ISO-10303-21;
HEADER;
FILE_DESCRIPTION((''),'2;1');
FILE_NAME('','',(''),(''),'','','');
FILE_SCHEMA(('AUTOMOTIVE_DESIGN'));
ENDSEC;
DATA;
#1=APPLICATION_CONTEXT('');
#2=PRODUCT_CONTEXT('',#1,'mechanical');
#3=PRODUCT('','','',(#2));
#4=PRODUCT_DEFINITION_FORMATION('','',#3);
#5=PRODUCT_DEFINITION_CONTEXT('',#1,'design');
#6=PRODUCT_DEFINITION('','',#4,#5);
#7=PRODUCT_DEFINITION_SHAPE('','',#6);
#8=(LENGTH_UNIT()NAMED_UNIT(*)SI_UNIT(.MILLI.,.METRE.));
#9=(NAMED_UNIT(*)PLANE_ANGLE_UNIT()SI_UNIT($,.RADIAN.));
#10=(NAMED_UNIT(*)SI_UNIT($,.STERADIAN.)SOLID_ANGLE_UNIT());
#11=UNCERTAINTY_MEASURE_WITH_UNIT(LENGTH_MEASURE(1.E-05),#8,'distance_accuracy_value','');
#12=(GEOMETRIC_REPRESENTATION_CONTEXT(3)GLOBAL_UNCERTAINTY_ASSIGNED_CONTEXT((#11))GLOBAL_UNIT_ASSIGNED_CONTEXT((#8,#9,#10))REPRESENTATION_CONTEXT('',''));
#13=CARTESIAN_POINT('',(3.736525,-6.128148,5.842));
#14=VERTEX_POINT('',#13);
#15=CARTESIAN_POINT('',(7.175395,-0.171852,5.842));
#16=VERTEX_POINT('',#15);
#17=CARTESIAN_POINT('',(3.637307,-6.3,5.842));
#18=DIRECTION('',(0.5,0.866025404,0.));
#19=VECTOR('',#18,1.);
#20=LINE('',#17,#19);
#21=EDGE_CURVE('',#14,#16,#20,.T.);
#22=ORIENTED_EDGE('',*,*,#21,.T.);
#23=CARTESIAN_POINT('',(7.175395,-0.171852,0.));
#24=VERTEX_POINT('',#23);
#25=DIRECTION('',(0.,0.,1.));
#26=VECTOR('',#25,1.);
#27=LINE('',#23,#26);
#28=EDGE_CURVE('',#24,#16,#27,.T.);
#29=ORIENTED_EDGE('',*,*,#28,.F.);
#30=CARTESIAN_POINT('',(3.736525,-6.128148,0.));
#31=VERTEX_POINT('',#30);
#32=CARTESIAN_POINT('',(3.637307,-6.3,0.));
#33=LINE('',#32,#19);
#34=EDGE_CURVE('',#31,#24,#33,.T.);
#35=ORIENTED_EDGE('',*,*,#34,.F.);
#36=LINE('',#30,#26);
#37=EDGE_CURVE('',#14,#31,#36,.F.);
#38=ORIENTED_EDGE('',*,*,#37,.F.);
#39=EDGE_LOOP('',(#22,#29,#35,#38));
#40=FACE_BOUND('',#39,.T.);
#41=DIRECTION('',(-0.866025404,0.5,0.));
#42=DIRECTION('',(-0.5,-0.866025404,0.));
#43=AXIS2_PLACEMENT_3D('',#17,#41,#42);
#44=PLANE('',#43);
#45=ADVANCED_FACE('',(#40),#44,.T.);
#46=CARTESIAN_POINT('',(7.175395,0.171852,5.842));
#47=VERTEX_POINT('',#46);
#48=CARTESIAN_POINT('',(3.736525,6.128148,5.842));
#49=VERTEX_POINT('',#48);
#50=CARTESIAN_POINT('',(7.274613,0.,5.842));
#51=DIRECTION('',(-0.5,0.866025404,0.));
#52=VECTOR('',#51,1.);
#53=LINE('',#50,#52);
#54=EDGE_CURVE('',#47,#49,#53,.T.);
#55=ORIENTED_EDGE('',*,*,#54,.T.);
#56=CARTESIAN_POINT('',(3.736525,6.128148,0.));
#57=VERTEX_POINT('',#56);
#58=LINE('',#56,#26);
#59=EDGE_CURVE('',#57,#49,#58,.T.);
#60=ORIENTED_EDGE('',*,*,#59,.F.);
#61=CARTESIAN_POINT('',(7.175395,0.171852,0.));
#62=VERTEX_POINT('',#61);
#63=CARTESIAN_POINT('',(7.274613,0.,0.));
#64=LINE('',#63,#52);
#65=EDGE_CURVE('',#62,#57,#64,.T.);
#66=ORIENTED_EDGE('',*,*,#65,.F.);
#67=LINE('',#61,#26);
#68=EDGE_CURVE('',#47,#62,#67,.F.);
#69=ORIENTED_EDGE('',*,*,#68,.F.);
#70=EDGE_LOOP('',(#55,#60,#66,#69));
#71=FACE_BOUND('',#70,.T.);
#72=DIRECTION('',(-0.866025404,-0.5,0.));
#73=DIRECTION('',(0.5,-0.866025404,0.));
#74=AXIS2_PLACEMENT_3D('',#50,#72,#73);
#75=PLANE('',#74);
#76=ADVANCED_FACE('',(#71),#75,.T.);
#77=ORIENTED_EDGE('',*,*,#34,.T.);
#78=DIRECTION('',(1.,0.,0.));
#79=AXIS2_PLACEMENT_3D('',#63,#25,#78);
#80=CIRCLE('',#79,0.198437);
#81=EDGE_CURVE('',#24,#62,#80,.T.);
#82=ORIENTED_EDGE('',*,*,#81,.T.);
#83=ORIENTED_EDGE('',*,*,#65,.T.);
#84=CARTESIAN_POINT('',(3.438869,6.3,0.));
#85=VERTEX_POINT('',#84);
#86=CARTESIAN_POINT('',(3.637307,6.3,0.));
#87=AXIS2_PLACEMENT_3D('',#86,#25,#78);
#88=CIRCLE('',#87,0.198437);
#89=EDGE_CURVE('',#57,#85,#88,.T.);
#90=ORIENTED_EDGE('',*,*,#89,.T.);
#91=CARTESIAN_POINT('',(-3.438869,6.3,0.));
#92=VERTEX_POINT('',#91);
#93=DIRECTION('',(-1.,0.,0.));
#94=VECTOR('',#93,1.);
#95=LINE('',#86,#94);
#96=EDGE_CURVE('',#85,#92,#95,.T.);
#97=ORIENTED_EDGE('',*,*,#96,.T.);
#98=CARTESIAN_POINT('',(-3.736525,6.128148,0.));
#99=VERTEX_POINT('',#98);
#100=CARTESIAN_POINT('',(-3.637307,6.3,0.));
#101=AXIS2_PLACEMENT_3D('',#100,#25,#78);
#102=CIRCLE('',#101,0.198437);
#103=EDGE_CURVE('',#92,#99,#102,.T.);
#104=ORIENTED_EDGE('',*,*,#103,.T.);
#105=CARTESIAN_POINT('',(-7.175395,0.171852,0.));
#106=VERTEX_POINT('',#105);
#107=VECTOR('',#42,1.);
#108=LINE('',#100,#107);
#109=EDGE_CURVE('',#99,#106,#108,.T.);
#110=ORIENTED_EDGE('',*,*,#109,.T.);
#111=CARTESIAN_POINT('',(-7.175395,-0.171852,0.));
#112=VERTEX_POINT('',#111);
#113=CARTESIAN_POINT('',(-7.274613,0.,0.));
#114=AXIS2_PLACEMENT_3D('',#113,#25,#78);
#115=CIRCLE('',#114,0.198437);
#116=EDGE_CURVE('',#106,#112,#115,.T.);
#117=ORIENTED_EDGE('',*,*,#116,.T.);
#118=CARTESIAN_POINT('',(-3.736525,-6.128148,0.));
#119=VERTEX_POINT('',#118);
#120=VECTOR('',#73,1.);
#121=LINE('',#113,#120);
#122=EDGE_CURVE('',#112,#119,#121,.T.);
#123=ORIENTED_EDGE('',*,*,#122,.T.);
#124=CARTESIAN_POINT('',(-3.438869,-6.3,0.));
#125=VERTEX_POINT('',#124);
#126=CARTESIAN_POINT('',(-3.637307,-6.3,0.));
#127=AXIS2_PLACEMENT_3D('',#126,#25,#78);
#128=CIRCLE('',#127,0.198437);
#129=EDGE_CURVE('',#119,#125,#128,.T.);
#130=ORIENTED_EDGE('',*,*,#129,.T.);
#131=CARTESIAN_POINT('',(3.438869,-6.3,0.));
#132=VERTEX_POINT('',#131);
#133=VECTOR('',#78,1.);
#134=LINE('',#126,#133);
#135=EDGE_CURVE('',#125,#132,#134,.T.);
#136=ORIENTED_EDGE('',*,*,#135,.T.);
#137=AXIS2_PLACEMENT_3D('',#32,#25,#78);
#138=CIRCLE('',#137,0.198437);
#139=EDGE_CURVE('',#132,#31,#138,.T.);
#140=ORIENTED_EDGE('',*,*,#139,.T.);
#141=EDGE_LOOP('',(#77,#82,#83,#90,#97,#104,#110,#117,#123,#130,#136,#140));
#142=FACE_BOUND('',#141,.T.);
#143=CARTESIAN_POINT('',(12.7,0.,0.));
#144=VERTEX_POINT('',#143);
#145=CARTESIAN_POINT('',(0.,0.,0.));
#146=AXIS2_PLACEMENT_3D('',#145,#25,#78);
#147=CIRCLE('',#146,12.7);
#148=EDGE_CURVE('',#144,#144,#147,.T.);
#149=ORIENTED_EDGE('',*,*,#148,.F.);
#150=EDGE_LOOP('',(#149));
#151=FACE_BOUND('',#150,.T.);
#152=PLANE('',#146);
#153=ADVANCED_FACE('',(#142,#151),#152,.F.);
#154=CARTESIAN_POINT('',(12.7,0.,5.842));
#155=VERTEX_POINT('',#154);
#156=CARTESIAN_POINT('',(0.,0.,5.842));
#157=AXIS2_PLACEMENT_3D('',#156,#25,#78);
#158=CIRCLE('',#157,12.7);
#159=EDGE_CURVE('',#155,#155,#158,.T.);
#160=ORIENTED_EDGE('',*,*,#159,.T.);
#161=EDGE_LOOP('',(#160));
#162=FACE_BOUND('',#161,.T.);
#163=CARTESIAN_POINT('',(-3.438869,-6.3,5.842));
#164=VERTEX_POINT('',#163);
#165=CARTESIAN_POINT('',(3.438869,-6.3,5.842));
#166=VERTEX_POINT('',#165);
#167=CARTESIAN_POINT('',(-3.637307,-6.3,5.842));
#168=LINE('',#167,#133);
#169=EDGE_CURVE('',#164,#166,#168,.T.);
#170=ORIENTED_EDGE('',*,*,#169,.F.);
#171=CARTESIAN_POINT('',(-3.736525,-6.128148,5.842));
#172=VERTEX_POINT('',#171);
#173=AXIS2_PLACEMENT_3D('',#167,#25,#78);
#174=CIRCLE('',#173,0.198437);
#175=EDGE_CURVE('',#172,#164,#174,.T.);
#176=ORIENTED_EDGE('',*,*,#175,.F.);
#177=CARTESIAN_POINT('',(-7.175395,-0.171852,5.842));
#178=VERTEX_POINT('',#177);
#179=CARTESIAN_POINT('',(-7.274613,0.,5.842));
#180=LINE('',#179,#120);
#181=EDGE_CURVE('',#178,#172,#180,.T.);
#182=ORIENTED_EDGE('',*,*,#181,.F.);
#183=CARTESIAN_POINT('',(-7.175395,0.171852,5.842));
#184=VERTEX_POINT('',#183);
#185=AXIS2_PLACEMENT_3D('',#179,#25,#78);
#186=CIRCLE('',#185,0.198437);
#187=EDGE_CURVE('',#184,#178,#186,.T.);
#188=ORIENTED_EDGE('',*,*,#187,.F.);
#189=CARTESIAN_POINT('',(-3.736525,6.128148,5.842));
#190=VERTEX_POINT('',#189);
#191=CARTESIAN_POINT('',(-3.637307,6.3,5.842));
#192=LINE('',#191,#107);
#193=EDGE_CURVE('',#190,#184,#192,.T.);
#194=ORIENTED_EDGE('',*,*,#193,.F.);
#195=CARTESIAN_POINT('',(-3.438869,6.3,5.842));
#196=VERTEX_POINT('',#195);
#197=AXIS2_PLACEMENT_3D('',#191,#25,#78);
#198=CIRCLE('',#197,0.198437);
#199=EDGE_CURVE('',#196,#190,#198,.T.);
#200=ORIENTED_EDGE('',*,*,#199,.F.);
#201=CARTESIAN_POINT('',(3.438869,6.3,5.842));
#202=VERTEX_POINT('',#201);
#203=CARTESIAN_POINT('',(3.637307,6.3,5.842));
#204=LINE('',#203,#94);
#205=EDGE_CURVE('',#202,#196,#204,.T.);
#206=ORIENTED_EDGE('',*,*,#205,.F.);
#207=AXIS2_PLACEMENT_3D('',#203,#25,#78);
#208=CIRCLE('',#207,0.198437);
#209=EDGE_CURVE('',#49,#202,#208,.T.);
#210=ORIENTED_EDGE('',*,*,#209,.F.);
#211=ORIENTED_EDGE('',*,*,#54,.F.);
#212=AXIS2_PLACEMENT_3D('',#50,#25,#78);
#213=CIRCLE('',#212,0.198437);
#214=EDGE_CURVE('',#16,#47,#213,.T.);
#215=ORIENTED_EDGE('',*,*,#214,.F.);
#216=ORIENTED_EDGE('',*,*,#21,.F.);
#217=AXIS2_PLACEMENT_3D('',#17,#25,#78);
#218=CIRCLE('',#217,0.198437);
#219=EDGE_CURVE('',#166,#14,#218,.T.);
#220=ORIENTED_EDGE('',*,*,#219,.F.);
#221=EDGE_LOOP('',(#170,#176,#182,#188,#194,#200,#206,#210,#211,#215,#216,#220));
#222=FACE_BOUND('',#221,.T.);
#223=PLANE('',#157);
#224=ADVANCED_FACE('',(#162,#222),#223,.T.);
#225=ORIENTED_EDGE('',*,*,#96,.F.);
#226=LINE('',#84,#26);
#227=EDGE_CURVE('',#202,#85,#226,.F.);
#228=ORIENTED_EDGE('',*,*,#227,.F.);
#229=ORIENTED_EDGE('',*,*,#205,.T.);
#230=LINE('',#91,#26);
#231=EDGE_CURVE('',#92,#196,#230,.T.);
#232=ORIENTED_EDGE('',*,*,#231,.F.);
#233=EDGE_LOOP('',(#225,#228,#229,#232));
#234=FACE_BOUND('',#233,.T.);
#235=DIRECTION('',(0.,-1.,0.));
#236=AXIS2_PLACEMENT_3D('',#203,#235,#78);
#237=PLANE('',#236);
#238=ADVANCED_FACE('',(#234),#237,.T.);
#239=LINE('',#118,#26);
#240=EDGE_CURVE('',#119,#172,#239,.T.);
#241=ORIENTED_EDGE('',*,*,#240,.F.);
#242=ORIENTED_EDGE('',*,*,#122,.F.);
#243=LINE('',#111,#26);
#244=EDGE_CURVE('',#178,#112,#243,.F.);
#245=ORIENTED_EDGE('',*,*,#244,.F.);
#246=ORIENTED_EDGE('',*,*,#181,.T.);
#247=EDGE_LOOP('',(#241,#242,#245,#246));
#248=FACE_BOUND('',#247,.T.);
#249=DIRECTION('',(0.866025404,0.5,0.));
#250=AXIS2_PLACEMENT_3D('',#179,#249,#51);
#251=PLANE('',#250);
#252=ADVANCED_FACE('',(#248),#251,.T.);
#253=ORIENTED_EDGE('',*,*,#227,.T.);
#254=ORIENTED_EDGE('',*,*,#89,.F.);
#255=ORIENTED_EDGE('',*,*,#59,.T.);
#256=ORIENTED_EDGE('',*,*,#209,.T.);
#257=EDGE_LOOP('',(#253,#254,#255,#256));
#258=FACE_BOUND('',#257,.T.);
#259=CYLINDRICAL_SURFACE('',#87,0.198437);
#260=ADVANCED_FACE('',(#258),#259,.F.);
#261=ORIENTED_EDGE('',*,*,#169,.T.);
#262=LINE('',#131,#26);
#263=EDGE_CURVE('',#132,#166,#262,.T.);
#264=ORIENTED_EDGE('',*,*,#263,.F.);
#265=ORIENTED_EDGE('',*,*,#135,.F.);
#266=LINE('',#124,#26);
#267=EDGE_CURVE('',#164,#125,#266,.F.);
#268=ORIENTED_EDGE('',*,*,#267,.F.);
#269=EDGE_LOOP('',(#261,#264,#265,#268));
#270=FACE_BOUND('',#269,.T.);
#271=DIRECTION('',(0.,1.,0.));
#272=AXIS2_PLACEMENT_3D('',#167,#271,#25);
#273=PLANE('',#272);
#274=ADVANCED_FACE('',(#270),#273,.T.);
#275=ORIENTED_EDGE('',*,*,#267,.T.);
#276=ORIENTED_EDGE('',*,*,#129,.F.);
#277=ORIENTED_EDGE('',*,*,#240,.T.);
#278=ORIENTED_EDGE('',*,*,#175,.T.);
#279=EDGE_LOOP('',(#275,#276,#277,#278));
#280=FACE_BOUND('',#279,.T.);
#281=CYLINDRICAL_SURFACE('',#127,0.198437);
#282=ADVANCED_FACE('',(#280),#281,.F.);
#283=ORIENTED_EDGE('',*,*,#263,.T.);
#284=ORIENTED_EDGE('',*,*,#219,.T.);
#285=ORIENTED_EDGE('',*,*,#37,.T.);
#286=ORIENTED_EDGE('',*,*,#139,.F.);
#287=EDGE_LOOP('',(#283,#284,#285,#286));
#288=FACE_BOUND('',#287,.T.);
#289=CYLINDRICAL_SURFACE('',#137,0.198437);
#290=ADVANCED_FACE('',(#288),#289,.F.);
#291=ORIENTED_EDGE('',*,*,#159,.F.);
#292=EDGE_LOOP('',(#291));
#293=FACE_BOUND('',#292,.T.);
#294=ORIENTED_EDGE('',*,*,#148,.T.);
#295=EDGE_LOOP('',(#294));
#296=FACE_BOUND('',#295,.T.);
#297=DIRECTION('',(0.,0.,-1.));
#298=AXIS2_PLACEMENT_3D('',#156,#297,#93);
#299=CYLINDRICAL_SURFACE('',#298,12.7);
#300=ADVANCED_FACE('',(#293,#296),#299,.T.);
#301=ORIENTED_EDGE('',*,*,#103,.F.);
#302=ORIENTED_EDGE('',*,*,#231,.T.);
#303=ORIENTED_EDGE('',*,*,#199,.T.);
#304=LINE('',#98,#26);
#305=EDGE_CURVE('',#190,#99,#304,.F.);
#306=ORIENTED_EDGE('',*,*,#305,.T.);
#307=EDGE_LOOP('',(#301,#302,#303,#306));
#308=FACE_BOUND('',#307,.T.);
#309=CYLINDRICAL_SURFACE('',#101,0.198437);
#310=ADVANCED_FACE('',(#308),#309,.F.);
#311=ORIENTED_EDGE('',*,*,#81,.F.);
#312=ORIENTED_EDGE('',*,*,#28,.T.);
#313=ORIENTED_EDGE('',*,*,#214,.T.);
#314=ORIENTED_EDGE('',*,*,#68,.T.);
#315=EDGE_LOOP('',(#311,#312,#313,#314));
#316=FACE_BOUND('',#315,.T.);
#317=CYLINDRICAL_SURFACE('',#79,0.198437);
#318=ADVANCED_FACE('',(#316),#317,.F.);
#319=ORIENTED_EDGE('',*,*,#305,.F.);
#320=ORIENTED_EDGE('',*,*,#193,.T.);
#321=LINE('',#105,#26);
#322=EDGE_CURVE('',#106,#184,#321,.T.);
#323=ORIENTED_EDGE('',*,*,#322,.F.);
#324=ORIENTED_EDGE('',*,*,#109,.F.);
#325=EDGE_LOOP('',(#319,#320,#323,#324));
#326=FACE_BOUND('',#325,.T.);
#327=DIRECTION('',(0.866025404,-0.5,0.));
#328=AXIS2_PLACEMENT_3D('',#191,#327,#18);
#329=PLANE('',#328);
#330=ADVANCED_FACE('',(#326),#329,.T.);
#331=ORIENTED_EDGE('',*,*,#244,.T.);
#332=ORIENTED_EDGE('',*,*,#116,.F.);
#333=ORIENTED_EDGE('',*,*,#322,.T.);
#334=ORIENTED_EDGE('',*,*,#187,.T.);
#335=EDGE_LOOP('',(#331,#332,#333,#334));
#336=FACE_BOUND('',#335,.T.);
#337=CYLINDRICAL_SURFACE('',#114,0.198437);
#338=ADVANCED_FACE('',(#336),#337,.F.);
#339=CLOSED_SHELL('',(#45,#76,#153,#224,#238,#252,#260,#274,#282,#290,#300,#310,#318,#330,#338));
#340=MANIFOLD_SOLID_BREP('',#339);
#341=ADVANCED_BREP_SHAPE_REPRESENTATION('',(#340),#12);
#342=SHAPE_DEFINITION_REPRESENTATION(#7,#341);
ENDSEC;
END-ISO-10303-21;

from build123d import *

# Parameters (mm, degrees)
SKETCH1_R           = 12.7
BOSS_EXTRUDE1_DEPTH = 5.842
SKETCH2_R           = 0.1984375
CUT_EXTRUDE1_DEPTH  = 19.886740428


with BuildPart() as part:
    # Sketch1 → Boss-Extrude1 (new body)
    with BuildSketch(Plane.XY):
        Circle(SKETCH1_R)
        Polygon((-7.274613392, 0), (-3.637306696, -6.3), (3.637306696, -6.3), (7.274613392, 0), (3.637306696, 6.3), (-3.637306696, 6.3), align=None, mode=Mode.SUBTRACT)
    extrude(amount=BOSS_EXTRUDE1_DEPTH)

    # Sketch2 → Cut-Extrude1 (cut, through all)
    with BuildSketch(Plane.XY.offset(5.842)):
        with Locations((3.637306696, 6.3)):
            Circle(SKETCH2_R)
        with Locations((-3.637306696, 6.3)):
            Circle(SKETCH2_R)
        with Locations((-7.274613392, 0)):
            Circle(SKETCH2_R)
        with Locations((-3.637306696, -6.3)):
            Circle(SKETCH2_R)
        with Locations((3.637306696, -6.3)):
            Circle(SKETCH2_R)
        with Locations((7.274613392, 0)):
            Circle(SKETCH2_R)
    extrude(amount=-CUT_EXTRUDE1_DEPTH, mode=Mode.SUBTRACT)


solid = part.part
